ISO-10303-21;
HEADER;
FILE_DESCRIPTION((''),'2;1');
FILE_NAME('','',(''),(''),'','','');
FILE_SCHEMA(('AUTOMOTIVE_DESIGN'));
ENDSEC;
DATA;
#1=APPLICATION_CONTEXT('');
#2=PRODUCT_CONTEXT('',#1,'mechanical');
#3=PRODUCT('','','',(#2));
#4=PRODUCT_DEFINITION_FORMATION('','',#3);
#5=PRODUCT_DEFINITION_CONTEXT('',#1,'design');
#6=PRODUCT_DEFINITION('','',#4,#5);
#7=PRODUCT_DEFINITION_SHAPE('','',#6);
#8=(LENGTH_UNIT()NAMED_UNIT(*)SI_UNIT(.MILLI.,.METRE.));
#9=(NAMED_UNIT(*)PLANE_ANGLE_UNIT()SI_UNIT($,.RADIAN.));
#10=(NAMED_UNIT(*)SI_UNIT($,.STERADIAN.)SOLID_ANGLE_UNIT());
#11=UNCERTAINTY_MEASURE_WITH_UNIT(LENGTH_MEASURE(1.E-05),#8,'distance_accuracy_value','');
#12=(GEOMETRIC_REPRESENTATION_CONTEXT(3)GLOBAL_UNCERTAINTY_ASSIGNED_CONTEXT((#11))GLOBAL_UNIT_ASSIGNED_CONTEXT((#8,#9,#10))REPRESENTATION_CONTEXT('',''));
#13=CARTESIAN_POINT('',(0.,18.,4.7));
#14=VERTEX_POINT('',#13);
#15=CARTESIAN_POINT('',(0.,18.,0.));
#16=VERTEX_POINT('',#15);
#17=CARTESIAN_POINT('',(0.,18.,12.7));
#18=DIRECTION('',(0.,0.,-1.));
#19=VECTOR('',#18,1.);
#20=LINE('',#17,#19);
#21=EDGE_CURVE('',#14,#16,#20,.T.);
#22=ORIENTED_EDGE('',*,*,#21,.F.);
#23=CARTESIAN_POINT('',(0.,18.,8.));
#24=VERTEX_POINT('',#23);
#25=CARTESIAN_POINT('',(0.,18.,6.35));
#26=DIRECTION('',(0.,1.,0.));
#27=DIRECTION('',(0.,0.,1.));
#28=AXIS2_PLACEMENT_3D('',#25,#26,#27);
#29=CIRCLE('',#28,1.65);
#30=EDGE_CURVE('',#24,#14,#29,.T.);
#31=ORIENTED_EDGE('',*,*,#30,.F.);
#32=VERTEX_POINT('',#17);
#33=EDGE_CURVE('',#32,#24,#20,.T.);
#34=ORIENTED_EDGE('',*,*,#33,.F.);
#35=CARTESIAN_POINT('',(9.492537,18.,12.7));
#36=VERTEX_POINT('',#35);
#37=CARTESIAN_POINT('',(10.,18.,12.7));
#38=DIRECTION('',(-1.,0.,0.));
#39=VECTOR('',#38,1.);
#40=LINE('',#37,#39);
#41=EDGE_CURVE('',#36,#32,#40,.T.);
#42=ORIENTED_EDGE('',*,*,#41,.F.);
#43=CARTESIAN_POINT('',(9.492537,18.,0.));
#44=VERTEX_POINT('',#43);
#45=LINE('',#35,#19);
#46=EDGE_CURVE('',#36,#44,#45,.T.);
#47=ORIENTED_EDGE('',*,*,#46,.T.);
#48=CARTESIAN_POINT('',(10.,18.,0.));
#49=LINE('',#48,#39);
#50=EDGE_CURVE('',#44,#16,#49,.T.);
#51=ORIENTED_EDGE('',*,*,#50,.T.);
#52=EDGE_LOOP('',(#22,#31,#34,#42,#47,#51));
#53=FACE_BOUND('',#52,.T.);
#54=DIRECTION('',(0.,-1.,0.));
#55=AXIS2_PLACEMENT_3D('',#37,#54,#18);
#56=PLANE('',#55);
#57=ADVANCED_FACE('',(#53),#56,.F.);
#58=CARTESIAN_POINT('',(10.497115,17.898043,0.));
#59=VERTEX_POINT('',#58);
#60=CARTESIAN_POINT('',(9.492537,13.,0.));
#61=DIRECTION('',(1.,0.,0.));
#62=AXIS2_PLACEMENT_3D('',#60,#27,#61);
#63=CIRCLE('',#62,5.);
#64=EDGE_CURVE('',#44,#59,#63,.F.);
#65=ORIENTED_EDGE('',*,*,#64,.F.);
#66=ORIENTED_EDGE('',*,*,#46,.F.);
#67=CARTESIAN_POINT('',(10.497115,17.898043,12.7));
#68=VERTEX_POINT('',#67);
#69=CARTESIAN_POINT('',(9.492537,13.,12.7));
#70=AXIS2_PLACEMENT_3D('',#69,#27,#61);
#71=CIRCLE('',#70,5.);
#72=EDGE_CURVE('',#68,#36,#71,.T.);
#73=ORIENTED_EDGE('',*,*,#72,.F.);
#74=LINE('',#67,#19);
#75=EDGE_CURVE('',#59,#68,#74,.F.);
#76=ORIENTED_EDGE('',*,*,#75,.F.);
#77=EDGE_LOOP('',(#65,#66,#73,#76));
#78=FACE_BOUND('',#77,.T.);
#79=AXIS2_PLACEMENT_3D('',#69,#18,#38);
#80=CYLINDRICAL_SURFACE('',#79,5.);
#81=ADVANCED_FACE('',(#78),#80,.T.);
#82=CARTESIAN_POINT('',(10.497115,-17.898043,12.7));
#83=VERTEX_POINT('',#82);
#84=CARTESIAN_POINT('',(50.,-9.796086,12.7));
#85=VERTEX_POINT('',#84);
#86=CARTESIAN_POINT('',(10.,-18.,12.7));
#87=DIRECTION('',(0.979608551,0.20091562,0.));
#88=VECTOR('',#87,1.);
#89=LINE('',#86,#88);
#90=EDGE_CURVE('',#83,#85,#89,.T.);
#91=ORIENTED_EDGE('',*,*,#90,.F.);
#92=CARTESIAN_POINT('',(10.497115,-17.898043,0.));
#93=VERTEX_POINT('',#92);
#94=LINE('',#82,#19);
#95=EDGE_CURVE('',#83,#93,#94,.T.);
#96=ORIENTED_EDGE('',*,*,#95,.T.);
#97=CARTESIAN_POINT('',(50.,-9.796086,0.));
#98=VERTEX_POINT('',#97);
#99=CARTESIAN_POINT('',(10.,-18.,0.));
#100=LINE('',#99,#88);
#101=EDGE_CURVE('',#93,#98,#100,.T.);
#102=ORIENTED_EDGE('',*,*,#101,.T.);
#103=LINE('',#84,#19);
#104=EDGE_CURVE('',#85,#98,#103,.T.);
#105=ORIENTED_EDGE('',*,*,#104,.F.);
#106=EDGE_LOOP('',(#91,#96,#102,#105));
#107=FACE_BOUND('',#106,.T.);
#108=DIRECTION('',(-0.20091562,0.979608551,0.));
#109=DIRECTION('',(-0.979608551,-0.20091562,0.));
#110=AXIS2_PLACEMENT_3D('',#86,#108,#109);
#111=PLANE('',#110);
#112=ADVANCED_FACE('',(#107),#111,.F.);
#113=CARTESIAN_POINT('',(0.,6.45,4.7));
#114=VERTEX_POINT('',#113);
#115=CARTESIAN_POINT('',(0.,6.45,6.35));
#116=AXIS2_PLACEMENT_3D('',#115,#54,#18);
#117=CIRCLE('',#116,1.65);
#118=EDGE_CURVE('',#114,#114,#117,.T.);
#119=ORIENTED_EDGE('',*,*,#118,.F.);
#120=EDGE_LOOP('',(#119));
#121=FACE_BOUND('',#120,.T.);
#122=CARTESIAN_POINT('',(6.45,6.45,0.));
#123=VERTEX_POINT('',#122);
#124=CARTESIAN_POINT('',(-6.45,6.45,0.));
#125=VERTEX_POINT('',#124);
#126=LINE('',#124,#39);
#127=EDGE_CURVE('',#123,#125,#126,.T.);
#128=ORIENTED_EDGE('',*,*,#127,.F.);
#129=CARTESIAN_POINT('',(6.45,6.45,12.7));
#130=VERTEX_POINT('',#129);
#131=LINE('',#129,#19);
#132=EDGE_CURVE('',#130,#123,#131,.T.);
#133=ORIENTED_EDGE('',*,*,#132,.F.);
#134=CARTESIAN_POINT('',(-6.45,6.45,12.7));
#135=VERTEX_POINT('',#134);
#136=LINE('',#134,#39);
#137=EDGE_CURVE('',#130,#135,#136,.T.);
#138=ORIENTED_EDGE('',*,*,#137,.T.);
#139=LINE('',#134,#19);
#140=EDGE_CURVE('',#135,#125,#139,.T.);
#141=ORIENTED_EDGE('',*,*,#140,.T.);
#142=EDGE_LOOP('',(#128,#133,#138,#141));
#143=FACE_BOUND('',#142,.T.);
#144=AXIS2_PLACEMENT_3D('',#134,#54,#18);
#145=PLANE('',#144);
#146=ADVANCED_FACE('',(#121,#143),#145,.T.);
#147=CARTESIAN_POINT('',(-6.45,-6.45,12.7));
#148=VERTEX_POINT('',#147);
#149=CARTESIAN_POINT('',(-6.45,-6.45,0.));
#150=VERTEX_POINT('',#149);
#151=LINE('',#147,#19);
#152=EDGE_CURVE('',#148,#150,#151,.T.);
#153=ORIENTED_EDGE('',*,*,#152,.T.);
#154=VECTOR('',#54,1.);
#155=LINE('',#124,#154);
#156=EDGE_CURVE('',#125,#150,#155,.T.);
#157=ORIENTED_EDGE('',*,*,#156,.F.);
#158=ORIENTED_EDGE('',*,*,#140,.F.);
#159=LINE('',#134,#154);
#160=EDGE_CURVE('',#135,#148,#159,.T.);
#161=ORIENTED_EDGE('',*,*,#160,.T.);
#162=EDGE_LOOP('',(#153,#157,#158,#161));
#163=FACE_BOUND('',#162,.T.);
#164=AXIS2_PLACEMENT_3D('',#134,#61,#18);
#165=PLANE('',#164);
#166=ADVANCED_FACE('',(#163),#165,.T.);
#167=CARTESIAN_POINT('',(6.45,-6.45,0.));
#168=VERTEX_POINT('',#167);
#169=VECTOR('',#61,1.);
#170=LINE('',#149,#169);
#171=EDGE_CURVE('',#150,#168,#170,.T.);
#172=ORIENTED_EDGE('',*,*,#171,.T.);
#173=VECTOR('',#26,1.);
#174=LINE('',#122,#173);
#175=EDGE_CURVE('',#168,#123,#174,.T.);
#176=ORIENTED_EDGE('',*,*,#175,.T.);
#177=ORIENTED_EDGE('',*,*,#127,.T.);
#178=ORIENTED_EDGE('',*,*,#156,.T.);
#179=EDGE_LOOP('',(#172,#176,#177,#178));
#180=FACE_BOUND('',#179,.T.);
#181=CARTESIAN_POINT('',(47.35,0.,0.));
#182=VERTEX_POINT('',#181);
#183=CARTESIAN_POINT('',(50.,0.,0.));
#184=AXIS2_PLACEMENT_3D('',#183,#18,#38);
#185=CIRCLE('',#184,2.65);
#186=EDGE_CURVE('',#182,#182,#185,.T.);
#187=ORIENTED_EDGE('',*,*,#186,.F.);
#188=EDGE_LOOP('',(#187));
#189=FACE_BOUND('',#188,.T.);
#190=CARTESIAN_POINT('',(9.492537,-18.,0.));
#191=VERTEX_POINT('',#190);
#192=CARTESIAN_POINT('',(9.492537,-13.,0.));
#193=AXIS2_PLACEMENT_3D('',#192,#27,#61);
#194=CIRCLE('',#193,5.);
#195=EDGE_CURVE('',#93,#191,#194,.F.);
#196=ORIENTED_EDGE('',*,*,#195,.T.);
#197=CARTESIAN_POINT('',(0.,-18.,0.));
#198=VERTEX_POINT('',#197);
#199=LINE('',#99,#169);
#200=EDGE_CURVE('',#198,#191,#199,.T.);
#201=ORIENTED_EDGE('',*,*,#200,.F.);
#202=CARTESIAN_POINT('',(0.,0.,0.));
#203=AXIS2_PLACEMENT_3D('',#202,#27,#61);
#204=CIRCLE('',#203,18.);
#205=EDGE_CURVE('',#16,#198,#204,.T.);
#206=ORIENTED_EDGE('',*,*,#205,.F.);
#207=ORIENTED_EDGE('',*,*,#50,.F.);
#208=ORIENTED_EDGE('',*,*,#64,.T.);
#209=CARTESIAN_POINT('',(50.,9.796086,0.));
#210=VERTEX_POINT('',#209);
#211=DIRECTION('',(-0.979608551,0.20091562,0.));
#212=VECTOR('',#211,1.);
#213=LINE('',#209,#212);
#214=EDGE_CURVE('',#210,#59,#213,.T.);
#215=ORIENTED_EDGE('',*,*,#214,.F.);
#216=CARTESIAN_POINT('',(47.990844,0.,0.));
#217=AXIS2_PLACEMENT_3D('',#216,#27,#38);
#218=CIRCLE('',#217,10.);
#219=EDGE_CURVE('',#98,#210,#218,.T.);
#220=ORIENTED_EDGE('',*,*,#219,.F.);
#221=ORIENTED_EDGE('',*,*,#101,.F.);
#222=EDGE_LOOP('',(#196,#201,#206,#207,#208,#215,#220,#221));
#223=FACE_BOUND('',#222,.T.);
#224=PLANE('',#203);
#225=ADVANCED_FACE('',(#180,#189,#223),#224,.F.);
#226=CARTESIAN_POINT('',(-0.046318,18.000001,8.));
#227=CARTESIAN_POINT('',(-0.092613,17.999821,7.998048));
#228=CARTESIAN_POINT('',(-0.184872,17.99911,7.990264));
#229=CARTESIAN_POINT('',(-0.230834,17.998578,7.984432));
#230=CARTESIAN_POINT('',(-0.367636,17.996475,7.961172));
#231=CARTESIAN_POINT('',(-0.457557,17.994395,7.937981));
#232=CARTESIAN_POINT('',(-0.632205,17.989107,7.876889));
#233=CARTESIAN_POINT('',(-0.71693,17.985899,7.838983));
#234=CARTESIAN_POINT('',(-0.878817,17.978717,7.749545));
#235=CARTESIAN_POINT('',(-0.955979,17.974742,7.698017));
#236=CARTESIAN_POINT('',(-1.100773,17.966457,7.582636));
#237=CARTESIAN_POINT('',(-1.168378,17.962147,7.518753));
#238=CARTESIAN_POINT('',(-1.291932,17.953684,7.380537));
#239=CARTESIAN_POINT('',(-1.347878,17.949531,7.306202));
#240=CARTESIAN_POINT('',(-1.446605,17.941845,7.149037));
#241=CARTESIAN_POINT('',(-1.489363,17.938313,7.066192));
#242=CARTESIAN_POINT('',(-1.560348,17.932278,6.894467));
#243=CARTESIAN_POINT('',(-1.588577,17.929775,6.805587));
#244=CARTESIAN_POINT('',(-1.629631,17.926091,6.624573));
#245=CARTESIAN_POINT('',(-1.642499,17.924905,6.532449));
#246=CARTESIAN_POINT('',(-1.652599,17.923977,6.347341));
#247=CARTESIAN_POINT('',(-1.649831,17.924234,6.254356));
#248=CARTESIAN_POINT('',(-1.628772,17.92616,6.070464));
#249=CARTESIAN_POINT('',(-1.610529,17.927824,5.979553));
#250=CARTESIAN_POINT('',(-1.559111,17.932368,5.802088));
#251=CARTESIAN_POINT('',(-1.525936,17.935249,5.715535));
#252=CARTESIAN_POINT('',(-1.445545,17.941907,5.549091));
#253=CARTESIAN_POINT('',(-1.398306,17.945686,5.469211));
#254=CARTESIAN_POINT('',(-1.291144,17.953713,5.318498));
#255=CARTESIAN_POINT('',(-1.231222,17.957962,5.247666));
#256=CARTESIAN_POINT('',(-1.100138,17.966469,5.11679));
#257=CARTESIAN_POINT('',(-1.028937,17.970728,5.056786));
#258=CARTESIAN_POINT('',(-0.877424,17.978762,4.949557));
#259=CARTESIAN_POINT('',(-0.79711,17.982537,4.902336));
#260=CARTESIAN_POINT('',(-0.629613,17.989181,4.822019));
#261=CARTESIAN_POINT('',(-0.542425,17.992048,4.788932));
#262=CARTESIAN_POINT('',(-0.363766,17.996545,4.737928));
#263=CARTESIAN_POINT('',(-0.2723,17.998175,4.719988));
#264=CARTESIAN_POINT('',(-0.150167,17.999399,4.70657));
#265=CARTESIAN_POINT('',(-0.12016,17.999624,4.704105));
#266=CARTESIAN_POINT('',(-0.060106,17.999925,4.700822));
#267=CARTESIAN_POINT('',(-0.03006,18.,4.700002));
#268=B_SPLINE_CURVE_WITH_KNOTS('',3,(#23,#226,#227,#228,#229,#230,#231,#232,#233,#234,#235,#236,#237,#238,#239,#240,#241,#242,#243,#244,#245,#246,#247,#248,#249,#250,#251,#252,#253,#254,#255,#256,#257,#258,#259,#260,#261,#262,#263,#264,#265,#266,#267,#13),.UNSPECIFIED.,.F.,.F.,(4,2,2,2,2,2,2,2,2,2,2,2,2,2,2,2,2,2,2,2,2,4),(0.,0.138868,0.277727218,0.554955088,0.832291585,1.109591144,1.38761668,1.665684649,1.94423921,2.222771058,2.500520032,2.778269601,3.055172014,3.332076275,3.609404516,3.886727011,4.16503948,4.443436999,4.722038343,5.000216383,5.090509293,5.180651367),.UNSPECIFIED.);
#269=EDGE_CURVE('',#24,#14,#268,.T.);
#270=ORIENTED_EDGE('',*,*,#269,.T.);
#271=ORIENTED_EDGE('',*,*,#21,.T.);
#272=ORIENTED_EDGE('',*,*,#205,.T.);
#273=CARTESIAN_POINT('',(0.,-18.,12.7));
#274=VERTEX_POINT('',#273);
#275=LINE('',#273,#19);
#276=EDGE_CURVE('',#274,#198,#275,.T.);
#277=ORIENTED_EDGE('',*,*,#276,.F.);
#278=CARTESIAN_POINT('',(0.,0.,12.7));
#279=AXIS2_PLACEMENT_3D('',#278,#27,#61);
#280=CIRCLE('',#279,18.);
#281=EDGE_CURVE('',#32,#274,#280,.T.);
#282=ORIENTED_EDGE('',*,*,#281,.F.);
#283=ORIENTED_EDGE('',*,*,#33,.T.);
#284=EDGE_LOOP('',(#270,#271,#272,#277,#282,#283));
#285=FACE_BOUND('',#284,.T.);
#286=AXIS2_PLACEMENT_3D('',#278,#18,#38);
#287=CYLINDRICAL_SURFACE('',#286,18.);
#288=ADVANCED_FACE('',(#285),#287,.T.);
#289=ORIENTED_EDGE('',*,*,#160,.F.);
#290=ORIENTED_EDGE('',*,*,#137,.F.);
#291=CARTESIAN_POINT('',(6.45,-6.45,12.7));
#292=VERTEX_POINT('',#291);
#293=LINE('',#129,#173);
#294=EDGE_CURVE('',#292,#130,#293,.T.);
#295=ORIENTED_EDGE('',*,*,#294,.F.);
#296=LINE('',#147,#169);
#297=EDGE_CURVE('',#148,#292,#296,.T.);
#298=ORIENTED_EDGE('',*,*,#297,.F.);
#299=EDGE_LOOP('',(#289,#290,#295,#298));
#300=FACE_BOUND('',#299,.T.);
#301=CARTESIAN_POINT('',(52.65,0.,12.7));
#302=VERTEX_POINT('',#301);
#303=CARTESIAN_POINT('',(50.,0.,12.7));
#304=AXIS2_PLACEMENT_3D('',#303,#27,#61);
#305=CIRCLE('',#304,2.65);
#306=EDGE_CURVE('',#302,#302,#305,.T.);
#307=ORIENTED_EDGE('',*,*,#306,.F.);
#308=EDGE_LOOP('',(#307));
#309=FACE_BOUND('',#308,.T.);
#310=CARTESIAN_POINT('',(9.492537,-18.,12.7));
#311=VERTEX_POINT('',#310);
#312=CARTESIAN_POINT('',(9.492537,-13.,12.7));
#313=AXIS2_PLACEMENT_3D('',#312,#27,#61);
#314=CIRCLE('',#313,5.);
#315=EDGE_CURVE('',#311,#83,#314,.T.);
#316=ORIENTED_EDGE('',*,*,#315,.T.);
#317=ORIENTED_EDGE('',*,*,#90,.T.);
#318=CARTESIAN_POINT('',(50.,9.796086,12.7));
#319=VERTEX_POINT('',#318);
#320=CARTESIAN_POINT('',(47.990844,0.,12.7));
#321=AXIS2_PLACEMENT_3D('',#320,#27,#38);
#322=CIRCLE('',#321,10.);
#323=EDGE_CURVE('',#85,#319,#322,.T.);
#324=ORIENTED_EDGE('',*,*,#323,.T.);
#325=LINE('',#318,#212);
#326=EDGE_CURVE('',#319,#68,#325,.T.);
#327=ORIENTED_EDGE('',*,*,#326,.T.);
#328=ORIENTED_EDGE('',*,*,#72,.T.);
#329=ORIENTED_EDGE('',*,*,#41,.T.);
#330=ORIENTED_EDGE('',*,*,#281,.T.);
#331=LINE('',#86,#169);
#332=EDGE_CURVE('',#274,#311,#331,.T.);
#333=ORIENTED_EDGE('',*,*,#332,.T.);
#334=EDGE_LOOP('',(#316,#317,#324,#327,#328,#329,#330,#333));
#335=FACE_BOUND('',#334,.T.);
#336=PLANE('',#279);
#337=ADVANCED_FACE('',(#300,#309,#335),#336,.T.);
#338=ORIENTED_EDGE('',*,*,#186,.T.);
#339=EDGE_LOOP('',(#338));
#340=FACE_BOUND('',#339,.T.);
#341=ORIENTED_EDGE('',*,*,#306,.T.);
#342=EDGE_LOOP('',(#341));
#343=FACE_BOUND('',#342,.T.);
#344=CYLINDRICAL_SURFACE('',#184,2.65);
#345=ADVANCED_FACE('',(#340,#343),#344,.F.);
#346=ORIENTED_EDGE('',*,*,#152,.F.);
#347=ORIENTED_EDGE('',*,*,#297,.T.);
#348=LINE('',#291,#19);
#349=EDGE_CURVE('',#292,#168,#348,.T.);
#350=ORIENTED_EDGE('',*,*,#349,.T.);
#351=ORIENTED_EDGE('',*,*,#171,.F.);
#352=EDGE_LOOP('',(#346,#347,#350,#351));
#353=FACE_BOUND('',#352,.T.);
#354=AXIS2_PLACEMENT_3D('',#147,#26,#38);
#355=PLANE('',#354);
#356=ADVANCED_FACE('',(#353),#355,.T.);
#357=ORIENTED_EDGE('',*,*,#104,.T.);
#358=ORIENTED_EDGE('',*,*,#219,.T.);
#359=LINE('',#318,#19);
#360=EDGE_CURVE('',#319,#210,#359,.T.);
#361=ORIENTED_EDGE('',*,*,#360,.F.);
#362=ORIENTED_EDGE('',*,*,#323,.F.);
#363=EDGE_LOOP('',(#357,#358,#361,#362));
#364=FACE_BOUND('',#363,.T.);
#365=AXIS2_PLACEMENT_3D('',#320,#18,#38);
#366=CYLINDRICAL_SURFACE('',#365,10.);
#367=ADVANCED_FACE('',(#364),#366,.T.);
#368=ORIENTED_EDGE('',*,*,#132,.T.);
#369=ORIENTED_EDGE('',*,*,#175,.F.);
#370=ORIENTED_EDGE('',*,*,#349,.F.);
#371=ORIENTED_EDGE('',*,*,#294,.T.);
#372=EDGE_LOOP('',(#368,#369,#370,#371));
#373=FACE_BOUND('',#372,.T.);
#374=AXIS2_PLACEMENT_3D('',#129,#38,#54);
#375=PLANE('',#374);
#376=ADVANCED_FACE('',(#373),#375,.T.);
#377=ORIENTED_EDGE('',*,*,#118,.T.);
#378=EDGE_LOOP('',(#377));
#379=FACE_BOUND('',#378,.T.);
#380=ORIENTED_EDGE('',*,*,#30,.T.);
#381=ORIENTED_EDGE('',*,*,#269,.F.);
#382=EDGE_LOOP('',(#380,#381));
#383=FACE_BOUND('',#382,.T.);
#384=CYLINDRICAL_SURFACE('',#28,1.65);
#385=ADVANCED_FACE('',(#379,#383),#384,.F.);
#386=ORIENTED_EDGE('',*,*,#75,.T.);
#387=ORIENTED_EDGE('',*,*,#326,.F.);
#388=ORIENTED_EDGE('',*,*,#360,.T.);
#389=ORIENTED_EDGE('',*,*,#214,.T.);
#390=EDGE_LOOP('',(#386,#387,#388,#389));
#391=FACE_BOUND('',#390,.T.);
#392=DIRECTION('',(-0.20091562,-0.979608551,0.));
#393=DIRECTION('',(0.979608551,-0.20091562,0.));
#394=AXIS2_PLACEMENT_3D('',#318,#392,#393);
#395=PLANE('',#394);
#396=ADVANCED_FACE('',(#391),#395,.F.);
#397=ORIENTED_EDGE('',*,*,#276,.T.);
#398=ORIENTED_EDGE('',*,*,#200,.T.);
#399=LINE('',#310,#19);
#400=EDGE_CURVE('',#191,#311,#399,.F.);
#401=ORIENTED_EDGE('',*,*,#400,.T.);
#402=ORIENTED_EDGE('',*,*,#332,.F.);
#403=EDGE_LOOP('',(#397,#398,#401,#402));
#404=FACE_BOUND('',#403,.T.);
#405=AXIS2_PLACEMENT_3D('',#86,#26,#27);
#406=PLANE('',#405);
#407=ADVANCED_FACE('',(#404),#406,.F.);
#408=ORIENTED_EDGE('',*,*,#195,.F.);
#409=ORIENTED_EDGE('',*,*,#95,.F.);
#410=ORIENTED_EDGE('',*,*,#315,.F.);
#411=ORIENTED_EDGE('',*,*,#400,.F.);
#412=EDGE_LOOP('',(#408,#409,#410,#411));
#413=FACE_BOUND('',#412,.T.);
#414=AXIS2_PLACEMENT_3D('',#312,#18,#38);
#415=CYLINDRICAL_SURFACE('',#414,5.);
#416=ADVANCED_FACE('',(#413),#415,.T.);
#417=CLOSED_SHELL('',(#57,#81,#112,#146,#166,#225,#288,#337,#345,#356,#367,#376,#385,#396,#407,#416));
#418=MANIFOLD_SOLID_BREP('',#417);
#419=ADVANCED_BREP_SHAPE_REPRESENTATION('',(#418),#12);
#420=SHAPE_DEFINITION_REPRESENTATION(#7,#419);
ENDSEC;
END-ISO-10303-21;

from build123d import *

# Parameters (mm, degrees)
SKETCH1_W                       = 12.9
SKETCH1_H                       = 12.9
BOSS_EXTRUDE1_DEPTH             = 12.7
TAP_DRILL_FOR_M4X0_7_TAP1_D     = 3.3
TAP_DRILL_FOR_M4X0_7_TAP1_DEPTH = 11.55
M5_CLEARANCE_HOLE1_D            = 5.3
FILLET1_R                       = 5


with BuildPart() as part:
    # Sketch1 → Boss-Extrude1 (new body)
    with BuildSketch(Plane.XY):
        with BuildLine():
            ThreePointArc((50, -9.796085513), (57.990843804, 0), (50, 9.796085513))
            Line((50, 9.796085513), (10, 18))
            Line((10, 18), (0, 18))
            ThreePointArc((0, 18), (-18, 0), (0, -18))
            Line((0, -18), (10, -18))
            Line((10, -18), (50, -9.796085513))
        make_face()
        Rectangle(SKETCH1_W, SKETCH1_H, mode=Mode.SUBTRACT)
    extrude(amount=BOSS_EXTRUDE1_DEPTH)

    # Tap Drill for M4x0.7 Tap1
    with Locations(Plane(origin=(0, 18, 6.35), x_dir=(0, 0, 1), z_dir=(0, 1, 0))):
        with Locations((0, 0)):
            Hole(TAP_DRILL_FOR_M4X0_7_TAP1_D / 2, depth=TAP_DRILL_FOR_M4X0_7_TAP1_DEPTH)

    # M5 Clearance Hole1 (through all)
    with Locations(Plane(origin=(50, 0, 0), x_dir=(-1, 0, 0), z_dir=(0, 0, -1))):
        with Locations((0, 0)):
            Hole(M5_CLEARANCE_HOLE1_D / 2)

    # Fillet1
    fillet1_edges = [part.edges().sort_by_distance(p)[0] for p in [
        (10, 18, 6.35),
        (10, -18, 6.35),
    ]]
    fillet(fillet1_edges, radius=FILLET1_R)


solid = part.part
